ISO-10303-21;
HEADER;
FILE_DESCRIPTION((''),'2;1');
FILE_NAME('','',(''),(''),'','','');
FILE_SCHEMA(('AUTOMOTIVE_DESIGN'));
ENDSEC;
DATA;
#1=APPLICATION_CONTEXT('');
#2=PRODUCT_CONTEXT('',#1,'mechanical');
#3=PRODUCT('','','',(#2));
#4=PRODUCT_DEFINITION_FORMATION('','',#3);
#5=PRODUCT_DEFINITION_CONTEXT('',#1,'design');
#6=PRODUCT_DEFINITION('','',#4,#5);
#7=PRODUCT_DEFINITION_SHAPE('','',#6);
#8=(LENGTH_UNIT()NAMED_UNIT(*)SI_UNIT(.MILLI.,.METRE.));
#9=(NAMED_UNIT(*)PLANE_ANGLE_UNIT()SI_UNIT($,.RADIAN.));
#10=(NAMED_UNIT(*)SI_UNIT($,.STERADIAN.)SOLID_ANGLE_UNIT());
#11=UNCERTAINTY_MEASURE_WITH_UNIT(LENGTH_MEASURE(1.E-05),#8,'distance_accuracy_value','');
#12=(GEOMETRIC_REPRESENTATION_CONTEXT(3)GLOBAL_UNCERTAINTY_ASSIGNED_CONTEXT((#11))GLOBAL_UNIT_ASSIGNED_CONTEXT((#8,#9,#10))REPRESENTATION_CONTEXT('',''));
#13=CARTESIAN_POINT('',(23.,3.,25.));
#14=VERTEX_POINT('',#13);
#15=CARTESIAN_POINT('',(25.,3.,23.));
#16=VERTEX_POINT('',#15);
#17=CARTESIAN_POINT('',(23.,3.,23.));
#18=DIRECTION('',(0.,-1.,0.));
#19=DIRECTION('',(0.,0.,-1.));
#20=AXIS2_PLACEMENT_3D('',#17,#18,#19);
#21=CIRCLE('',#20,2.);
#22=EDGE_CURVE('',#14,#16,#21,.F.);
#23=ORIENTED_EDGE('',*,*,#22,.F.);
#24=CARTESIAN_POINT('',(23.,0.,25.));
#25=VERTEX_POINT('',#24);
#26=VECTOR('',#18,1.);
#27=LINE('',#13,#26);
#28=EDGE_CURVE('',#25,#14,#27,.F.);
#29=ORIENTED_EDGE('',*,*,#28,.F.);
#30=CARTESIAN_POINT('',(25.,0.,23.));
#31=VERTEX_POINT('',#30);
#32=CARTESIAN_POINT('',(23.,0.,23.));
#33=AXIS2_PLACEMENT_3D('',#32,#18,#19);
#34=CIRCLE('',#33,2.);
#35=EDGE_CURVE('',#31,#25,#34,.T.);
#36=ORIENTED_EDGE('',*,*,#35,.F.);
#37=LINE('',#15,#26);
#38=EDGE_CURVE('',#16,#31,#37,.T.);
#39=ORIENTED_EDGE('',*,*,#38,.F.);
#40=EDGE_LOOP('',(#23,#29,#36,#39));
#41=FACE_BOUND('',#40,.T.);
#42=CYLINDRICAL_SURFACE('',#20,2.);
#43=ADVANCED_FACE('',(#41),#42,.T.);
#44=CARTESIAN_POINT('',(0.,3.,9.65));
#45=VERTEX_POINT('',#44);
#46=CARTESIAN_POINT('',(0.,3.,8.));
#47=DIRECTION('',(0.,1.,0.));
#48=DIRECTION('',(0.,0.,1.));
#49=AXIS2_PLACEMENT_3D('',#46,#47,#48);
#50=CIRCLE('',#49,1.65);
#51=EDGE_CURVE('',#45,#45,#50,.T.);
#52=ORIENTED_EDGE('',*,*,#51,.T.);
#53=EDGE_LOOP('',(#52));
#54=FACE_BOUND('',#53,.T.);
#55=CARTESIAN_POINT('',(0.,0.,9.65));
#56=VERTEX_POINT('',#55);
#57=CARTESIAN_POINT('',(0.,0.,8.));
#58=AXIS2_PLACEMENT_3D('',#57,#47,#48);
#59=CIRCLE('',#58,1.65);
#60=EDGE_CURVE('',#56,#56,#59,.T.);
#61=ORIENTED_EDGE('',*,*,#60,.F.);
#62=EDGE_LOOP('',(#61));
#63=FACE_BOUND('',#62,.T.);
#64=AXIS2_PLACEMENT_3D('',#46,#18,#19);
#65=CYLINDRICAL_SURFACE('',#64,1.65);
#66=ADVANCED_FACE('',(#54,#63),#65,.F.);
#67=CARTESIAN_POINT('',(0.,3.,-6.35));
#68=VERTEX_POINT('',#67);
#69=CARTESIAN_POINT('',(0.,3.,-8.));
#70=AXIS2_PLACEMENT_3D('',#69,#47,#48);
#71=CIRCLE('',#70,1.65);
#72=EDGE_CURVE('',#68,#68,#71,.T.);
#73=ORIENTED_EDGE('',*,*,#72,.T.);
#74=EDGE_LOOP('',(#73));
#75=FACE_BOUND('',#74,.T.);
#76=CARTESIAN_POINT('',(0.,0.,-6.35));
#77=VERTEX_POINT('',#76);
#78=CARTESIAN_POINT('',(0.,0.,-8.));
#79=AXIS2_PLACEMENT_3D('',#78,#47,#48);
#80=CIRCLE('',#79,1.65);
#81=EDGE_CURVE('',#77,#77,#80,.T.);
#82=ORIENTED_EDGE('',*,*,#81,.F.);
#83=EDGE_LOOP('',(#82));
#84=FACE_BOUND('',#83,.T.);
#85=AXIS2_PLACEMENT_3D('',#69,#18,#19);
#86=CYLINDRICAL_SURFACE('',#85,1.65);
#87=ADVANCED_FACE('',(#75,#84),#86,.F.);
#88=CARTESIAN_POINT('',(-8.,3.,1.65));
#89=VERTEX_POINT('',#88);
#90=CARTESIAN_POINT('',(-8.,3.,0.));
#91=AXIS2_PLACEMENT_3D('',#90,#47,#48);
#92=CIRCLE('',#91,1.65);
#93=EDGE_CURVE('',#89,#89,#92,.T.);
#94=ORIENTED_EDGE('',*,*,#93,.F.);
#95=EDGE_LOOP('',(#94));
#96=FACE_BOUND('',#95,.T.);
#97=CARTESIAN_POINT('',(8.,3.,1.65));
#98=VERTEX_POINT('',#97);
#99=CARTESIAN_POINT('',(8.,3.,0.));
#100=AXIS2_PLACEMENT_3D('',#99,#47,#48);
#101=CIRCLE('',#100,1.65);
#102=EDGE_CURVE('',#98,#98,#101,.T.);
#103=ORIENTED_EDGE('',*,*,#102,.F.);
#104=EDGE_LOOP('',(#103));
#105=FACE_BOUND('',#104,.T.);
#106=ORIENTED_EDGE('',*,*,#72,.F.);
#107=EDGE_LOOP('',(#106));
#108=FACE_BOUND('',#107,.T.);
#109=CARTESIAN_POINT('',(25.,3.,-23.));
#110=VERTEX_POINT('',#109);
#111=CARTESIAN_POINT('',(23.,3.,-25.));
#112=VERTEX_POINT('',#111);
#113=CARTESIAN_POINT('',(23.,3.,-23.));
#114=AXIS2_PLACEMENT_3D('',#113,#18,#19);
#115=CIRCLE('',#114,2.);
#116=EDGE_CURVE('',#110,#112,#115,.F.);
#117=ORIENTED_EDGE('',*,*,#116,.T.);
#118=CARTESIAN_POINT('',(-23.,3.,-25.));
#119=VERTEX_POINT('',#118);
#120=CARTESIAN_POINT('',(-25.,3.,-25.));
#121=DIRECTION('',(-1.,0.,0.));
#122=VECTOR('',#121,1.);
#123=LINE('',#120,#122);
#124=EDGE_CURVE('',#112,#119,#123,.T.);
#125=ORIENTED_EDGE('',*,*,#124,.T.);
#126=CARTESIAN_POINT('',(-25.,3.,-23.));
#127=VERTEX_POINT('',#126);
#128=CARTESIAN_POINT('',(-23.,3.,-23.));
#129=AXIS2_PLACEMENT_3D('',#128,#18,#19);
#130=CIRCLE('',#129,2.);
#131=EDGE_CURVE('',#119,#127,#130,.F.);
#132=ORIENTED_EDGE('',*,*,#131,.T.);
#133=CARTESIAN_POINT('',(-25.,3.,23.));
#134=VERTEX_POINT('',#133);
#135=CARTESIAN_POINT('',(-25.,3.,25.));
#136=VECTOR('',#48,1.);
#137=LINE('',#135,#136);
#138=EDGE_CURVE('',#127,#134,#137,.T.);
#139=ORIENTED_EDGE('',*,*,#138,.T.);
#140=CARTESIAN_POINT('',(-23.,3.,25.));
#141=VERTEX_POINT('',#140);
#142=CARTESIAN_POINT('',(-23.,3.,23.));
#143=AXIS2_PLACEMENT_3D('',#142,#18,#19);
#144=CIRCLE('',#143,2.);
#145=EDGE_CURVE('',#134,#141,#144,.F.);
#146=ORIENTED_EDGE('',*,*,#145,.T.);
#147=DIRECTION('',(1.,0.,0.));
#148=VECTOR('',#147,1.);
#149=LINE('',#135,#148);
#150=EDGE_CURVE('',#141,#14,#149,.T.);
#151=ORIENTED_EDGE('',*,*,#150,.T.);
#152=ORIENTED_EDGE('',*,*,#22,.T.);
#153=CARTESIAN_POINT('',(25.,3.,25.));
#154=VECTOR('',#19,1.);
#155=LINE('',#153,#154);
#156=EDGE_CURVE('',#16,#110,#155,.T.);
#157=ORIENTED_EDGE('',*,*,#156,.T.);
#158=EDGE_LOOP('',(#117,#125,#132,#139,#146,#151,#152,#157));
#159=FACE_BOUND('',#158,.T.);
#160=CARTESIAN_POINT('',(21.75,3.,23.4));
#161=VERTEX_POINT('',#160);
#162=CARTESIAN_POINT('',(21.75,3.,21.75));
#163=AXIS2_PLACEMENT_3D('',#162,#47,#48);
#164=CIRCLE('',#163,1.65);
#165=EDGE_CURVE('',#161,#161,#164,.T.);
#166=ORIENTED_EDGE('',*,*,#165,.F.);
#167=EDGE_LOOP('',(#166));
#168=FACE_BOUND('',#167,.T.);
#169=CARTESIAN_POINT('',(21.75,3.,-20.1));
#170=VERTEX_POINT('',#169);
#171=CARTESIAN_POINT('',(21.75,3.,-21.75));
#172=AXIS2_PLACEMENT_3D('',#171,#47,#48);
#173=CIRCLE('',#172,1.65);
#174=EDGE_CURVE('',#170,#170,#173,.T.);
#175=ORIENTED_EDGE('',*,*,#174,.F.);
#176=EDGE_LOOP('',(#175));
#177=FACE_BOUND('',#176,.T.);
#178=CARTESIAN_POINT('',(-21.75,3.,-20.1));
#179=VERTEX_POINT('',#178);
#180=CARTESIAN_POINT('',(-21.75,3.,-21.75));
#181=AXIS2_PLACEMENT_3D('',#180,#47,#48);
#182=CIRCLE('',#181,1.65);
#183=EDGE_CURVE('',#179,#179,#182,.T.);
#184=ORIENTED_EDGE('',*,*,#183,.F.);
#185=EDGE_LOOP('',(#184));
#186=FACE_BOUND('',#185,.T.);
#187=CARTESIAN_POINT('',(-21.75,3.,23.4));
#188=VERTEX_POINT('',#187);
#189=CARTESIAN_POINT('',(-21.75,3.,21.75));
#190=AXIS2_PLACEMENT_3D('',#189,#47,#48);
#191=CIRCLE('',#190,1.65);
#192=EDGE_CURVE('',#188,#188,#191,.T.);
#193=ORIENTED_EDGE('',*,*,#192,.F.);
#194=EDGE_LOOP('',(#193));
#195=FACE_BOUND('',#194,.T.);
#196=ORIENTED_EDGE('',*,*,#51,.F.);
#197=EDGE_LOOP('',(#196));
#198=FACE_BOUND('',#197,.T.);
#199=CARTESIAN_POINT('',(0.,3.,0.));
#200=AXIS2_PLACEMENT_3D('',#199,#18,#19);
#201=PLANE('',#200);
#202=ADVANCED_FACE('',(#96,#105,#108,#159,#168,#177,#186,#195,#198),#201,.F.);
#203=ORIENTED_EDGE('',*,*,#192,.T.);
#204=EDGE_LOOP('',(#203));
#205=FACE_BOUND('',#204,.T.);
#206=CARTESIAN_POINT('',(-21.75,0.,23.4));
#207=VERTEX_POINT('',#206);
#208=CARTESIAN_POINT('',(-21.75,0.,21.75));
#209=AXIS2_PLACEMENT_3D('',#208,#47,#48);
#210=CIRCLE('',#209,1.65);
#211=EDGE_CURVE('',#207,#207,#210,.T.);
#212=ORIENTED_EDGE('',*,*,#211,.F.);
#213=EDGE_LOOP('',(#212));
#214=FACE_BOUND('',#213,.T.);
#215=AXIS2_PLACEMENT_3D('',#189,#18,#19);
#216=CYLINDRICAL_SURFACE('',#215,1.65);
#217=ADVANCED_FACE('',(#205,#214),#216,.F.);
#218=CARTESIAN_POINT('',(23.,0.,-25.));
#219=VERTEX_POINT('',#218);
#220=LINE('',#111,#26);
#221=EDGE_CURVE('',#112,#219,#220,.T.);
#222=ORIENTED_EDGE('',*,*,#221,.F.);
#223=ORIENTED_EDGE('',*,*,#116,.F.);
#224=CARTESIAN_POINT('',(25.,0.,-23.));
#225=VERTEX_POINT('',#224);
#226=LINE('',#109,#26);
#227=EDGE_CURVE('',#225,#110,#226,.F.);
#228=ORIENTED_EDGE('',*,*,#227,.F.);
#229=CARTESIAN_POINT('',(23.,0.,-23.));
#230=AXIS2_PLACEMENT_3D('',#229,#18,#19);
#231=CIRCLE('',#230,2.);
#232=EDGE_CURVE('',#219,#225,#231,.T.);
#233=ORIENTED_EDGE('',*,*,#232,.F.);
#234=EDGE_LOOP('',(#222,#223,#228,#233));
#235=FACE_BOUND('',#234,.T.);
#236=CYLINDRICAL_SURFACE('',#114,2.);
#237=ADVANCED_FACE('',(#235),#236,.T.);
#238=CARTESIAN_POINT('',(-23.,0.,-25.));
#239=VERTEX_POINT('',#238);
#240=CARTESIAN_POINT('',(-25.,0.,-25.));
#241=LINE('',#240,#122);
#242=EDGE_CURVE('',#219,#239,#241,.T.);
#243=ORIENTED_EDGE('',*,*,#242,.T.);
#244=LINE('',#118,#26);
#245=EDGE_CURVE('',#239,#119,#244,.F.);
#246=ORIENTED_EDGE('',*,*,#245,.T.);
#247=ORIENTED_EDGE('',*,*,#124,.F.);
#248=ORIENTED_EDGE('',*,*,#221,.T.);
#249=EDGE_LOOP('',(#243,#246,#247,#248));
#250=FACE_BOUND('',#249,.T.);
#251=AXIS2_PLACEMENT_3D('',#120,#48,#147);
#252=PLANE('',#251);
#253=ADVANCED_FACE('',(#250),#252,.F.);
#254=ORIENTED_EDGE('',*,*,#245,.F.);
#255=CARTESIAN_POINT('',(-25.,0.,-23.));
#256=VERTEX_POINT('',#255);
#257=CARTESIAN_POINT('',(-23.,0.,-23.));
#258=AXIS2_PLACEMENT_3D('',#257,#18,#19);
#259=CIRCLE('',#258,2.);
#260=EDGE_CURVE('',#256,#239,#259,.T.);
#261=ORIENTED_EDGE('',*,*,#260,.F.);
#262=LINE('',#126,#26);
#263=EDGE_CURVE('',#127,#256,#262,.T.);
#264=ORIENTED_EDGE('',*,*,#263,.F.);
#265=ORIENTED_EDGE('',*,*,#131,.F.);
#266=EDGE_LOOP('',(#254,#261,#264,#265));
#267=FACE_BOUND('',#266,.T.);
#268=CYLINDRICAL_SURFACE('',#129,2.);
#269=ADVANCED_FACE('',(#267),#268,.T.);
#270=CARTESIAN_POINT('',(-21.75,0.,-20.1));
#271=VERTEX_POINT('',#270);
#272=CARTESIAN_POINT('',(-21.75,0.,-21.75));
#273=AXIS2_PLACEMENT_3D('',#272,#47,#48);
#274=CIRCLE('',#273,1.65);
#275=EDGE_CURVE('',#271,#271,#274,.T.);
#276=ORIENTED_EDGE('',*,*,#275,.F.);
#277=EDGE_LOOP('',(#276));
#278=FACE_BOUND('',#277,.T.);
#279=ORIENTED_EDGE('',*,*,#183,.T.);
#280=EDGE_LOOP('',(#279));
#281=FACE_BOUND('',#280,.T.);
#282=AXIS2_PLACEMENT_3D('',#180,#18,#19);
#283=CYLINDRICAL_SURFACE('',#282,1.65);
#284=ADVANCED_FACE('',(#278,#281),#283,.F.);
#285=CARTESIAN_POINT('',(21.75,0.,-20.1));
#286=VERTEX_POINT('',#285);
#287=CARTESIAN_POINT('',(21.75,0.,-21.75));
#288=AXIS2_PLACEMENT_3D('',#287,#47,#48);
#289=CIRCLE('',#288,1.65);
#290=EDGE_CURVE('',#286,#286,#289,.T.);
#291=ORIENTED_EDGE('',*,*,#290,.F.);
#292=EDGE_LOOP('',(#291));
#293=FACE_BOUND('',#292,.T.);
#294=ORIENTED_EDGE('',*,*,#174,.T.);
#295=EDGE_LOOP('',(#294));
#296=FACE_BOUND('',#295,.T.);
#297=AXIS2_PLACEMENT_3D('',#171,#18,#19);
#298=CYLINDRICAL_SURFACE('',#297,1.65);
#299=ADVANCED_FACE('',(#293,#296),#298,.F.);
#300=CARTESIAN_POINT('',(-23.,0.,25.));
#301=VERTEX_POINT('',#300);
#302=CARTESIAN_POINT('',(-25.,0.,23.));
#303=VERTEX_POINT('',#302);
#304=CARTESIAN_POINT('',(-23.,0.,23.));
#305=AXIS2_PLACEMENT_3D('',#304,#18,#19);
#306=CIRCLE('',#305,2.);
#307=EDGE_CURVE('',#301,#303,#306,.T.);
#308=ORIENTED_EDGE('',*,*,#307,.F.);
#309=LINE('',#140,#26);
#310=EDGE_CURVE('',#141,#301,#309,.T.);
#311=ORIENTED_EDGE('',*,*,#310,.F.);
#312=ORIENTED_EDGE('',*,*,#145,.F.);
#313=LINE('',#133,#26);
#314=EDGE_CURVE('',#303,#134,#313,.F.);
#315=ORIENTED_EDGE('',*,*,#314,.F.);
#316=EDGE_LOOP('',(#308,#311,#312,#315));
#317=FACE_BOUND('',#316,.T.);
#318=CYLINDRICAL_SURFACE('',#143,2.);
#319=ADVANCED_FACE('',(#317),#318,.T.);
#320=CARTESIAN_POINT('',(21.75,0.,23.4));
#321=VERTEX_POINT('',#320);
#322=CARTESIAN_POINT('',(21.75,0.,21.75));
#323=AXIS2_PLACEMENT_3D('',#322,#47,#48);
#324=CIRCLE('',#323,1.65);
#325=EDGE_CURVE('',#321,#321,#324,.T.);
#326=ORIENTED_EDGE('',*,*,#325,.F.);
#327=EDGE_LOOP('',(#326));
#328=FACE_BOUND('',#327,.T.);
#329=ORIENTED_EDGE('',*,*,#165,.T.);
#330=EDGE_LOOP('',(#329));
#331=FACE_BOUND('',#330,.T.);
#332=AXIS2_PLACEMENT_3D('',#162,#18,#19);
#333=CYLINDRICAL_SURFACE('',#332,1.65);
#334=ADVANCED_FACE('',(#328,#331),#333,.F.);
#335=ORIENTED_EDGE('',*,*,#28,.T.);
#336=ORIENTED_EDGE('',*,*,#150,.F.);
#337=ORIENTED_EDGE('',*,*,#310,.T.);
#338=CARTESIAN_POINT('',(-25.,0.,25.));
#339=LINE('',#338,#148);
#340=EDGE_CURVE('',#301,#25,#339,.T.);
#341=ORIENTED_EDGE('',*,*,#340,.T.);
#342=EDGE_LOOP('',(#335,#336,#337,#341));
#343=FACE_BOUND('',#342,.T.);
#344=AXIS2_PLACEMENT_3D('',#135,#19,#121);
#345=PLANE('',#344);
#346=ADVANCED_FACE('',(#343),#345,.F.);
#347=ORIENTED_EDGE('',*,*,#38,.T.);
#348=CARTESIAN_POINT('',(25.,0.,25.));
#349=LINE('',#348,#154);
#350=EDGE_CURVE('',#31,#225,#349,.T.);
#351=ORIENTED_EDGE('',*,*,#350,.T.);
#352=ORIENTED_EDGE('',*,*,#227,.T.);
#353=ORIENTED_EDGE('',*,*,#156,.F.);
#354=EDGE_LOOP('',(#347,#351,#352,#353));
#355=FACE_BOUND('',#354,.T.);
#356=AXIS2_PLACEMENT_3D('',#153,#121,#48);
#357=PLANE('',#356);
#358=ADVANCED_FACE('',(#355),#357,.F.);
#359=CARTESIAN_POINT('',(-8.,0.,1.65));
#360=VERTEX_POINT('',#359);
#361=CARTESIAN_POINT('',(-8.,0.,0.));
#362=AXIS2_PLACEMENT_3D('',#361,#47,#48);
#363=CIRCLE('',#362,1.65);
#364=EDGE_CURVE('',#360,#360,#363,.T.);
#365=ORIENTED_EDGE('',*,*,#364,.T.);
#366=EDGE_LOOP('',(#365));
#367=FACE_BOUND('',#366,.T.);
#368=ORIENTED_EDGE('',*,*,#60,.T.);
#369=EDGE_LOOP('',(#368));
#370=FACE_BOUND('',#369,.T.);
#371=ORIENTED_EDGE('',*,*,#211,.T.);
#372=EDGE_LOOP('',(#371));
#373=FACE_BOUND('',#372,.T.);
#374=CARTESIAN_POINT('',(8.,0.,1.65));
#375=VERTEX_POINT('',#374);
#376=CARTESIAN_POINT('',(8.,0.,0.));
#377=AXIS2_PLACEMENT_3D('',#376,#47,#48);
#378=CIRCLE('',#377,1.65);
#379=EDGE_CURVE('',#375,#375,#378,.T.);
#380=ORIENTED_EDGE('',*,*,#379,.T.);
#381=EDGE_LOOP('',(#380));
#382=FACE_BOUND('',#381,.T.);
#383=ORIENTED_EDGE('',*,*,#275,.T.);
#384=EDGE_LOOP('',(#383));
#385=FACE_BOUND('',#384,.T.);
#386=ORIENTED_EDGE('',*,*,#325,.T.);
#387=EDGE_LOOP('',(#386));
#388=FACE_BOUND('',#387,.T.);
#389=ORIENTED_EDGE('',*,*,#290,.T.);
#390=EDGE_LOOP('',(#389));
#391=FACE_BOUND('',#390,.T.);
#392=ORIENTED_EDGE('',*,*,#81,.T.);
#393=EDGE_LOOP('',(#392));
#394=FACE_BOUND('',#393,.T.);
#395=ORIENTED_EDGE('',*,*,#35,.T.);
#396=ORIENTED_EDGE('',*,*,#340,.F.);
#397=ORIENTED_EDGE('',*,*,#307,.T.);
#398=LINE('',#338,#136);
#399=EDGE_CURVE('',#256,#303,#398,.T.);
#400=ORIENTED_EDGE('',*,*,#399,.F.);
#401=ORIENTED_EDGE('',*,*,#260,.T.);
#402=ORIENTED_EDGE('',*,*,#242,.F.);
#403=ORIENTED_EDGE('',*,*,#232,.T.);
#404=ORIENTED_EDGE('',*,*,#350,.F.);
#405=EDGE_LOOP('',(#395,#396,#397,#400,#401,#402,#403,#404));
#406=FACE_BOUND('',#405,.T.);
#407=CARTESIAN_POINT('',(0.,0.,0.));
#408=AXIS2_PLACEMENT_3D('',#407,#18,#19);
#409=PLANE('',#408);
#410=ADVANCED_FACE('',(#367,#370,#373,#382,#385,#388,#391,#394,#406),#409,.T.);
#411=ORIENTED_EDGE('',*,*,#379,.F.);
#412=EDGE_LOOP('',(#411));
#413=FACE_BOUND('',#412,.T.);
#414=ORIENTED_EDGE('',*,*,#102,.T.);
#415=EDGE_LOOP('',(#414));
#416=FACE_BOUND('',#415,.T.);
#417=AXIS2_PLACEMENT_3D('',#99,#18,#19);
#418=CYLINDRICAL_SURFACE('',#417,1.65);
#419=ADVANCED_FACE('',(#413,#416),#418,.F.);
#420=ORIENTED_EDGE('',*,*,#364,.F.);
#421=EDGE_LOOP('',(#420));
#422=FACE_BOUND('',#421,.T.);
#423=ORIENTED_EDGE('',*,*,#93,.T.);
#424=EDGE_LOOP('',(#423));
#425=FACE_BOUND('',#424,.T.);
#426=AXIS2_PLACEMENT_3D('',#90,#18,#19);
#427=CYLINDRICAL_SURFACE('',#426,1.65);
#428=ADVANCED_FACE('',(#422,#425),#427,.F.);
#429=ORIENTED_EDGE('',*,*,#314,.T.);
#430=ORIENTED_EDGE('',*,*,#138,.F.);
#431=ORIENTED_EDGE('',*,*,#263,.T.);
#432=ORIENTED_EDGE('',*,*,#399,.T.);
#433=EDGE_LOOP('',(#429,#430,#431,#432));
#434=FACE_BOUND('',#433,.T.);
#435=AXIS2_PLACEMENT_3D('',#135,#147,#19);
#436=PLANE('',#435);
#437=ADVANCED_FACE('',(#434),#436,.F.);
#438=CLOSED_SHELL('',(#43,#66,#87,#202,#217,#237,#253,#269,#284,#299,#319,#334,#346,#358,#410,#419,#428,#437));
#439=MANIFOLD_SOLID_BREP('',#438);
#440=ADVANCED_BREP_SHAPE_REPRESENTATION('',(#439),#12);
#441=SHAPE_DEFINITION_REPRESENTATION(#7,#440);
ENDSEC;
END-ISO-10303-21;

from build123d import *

# Parameters (mm, degrees)
SKETCH_1_W      = 50
SKETCH_1_H      = 50
SKETCH_1_R      = 1.65
EXTRUDE_2_DEPTH = 3
FILLET_1_R      = 2
FILLET_2_R      = 2
FILLET_3_R      = 2
FILLET_4_R      = 2


with BuildPart() as part:
    # 草图1 → 凸台-拉伸2 (new body)
    with BuildSketch(Plane(origin=(0, 0, 0), x_dir=(1, 0, 0), z_dir=(0, 1, 0))):
        Rectangle(SKETCH_1_W, SKETCH_1_H)
        with Locations((21.75, 21.75)):
            Circle(SKETCH_1_R, mode=Mode.SUBTRACT)
        with Locations((-21.75, 21.75)):
            Circle(SKETCH_1_R, mode=Mode.SUBTRACT)
        with Locations((21.75, -21.75)):
            Circle(SKETCH_1_R, mode=Mode.SUBTRACT)
        with Locations((-21.75, -21.75)):
            Circle(SKETCH_1_R, mode=Mode.SUBTRACT)
        with Locations((8, 0)):
            Circle(SKETCH_1_R, mode=Mode.SUBTRACT)
        with Locations((0, 8)):
            Circle(SKETCH_1_R, mode=Mode.SUBTRACT)
        with Locations((-8, 0)):
            Circle(SKETCH_1_R, mode=Mode.SUBTRACT)
        with Locations((0, -8)):
            Circle(SKETCH_1_R, mode=Mode.SUBTRACT)
    extrude(amount=EXTRUDE_2_DEPTH)

    # 圆角1
    fillet_1_edges = [part.edges().sort_by_distance(p)[0] for p in [
        (25, 1.5, 25),
    ]]
    fillet(fillet_1_edges, radius=FILLET_1_R)

    # 圆角2
    fillet_2_edges = [part.edges().sort_by_distance(p)[0] for p in [
        (25, 1.5, -25),
    ]]
    fillet(fillet_2_edges, radius=FILLET_2_R)

    # 圆角3
    fillet_3_edges = [part.edges().sort_by_distance(p)[0] for p in [
        (-25, 1.5, -25),
    ]]
    fillet(fillet_3_edges, radius=FILLET_3_R)

    # 圆角4
    fillet_4_edges = [part.edges().sort_by_distance(p)[0] for p in [
        (-25, 1.5, 25),
    ]]
    fillet(fillet_4_edges, radius=FILLET_4_R)


solid = part.part
